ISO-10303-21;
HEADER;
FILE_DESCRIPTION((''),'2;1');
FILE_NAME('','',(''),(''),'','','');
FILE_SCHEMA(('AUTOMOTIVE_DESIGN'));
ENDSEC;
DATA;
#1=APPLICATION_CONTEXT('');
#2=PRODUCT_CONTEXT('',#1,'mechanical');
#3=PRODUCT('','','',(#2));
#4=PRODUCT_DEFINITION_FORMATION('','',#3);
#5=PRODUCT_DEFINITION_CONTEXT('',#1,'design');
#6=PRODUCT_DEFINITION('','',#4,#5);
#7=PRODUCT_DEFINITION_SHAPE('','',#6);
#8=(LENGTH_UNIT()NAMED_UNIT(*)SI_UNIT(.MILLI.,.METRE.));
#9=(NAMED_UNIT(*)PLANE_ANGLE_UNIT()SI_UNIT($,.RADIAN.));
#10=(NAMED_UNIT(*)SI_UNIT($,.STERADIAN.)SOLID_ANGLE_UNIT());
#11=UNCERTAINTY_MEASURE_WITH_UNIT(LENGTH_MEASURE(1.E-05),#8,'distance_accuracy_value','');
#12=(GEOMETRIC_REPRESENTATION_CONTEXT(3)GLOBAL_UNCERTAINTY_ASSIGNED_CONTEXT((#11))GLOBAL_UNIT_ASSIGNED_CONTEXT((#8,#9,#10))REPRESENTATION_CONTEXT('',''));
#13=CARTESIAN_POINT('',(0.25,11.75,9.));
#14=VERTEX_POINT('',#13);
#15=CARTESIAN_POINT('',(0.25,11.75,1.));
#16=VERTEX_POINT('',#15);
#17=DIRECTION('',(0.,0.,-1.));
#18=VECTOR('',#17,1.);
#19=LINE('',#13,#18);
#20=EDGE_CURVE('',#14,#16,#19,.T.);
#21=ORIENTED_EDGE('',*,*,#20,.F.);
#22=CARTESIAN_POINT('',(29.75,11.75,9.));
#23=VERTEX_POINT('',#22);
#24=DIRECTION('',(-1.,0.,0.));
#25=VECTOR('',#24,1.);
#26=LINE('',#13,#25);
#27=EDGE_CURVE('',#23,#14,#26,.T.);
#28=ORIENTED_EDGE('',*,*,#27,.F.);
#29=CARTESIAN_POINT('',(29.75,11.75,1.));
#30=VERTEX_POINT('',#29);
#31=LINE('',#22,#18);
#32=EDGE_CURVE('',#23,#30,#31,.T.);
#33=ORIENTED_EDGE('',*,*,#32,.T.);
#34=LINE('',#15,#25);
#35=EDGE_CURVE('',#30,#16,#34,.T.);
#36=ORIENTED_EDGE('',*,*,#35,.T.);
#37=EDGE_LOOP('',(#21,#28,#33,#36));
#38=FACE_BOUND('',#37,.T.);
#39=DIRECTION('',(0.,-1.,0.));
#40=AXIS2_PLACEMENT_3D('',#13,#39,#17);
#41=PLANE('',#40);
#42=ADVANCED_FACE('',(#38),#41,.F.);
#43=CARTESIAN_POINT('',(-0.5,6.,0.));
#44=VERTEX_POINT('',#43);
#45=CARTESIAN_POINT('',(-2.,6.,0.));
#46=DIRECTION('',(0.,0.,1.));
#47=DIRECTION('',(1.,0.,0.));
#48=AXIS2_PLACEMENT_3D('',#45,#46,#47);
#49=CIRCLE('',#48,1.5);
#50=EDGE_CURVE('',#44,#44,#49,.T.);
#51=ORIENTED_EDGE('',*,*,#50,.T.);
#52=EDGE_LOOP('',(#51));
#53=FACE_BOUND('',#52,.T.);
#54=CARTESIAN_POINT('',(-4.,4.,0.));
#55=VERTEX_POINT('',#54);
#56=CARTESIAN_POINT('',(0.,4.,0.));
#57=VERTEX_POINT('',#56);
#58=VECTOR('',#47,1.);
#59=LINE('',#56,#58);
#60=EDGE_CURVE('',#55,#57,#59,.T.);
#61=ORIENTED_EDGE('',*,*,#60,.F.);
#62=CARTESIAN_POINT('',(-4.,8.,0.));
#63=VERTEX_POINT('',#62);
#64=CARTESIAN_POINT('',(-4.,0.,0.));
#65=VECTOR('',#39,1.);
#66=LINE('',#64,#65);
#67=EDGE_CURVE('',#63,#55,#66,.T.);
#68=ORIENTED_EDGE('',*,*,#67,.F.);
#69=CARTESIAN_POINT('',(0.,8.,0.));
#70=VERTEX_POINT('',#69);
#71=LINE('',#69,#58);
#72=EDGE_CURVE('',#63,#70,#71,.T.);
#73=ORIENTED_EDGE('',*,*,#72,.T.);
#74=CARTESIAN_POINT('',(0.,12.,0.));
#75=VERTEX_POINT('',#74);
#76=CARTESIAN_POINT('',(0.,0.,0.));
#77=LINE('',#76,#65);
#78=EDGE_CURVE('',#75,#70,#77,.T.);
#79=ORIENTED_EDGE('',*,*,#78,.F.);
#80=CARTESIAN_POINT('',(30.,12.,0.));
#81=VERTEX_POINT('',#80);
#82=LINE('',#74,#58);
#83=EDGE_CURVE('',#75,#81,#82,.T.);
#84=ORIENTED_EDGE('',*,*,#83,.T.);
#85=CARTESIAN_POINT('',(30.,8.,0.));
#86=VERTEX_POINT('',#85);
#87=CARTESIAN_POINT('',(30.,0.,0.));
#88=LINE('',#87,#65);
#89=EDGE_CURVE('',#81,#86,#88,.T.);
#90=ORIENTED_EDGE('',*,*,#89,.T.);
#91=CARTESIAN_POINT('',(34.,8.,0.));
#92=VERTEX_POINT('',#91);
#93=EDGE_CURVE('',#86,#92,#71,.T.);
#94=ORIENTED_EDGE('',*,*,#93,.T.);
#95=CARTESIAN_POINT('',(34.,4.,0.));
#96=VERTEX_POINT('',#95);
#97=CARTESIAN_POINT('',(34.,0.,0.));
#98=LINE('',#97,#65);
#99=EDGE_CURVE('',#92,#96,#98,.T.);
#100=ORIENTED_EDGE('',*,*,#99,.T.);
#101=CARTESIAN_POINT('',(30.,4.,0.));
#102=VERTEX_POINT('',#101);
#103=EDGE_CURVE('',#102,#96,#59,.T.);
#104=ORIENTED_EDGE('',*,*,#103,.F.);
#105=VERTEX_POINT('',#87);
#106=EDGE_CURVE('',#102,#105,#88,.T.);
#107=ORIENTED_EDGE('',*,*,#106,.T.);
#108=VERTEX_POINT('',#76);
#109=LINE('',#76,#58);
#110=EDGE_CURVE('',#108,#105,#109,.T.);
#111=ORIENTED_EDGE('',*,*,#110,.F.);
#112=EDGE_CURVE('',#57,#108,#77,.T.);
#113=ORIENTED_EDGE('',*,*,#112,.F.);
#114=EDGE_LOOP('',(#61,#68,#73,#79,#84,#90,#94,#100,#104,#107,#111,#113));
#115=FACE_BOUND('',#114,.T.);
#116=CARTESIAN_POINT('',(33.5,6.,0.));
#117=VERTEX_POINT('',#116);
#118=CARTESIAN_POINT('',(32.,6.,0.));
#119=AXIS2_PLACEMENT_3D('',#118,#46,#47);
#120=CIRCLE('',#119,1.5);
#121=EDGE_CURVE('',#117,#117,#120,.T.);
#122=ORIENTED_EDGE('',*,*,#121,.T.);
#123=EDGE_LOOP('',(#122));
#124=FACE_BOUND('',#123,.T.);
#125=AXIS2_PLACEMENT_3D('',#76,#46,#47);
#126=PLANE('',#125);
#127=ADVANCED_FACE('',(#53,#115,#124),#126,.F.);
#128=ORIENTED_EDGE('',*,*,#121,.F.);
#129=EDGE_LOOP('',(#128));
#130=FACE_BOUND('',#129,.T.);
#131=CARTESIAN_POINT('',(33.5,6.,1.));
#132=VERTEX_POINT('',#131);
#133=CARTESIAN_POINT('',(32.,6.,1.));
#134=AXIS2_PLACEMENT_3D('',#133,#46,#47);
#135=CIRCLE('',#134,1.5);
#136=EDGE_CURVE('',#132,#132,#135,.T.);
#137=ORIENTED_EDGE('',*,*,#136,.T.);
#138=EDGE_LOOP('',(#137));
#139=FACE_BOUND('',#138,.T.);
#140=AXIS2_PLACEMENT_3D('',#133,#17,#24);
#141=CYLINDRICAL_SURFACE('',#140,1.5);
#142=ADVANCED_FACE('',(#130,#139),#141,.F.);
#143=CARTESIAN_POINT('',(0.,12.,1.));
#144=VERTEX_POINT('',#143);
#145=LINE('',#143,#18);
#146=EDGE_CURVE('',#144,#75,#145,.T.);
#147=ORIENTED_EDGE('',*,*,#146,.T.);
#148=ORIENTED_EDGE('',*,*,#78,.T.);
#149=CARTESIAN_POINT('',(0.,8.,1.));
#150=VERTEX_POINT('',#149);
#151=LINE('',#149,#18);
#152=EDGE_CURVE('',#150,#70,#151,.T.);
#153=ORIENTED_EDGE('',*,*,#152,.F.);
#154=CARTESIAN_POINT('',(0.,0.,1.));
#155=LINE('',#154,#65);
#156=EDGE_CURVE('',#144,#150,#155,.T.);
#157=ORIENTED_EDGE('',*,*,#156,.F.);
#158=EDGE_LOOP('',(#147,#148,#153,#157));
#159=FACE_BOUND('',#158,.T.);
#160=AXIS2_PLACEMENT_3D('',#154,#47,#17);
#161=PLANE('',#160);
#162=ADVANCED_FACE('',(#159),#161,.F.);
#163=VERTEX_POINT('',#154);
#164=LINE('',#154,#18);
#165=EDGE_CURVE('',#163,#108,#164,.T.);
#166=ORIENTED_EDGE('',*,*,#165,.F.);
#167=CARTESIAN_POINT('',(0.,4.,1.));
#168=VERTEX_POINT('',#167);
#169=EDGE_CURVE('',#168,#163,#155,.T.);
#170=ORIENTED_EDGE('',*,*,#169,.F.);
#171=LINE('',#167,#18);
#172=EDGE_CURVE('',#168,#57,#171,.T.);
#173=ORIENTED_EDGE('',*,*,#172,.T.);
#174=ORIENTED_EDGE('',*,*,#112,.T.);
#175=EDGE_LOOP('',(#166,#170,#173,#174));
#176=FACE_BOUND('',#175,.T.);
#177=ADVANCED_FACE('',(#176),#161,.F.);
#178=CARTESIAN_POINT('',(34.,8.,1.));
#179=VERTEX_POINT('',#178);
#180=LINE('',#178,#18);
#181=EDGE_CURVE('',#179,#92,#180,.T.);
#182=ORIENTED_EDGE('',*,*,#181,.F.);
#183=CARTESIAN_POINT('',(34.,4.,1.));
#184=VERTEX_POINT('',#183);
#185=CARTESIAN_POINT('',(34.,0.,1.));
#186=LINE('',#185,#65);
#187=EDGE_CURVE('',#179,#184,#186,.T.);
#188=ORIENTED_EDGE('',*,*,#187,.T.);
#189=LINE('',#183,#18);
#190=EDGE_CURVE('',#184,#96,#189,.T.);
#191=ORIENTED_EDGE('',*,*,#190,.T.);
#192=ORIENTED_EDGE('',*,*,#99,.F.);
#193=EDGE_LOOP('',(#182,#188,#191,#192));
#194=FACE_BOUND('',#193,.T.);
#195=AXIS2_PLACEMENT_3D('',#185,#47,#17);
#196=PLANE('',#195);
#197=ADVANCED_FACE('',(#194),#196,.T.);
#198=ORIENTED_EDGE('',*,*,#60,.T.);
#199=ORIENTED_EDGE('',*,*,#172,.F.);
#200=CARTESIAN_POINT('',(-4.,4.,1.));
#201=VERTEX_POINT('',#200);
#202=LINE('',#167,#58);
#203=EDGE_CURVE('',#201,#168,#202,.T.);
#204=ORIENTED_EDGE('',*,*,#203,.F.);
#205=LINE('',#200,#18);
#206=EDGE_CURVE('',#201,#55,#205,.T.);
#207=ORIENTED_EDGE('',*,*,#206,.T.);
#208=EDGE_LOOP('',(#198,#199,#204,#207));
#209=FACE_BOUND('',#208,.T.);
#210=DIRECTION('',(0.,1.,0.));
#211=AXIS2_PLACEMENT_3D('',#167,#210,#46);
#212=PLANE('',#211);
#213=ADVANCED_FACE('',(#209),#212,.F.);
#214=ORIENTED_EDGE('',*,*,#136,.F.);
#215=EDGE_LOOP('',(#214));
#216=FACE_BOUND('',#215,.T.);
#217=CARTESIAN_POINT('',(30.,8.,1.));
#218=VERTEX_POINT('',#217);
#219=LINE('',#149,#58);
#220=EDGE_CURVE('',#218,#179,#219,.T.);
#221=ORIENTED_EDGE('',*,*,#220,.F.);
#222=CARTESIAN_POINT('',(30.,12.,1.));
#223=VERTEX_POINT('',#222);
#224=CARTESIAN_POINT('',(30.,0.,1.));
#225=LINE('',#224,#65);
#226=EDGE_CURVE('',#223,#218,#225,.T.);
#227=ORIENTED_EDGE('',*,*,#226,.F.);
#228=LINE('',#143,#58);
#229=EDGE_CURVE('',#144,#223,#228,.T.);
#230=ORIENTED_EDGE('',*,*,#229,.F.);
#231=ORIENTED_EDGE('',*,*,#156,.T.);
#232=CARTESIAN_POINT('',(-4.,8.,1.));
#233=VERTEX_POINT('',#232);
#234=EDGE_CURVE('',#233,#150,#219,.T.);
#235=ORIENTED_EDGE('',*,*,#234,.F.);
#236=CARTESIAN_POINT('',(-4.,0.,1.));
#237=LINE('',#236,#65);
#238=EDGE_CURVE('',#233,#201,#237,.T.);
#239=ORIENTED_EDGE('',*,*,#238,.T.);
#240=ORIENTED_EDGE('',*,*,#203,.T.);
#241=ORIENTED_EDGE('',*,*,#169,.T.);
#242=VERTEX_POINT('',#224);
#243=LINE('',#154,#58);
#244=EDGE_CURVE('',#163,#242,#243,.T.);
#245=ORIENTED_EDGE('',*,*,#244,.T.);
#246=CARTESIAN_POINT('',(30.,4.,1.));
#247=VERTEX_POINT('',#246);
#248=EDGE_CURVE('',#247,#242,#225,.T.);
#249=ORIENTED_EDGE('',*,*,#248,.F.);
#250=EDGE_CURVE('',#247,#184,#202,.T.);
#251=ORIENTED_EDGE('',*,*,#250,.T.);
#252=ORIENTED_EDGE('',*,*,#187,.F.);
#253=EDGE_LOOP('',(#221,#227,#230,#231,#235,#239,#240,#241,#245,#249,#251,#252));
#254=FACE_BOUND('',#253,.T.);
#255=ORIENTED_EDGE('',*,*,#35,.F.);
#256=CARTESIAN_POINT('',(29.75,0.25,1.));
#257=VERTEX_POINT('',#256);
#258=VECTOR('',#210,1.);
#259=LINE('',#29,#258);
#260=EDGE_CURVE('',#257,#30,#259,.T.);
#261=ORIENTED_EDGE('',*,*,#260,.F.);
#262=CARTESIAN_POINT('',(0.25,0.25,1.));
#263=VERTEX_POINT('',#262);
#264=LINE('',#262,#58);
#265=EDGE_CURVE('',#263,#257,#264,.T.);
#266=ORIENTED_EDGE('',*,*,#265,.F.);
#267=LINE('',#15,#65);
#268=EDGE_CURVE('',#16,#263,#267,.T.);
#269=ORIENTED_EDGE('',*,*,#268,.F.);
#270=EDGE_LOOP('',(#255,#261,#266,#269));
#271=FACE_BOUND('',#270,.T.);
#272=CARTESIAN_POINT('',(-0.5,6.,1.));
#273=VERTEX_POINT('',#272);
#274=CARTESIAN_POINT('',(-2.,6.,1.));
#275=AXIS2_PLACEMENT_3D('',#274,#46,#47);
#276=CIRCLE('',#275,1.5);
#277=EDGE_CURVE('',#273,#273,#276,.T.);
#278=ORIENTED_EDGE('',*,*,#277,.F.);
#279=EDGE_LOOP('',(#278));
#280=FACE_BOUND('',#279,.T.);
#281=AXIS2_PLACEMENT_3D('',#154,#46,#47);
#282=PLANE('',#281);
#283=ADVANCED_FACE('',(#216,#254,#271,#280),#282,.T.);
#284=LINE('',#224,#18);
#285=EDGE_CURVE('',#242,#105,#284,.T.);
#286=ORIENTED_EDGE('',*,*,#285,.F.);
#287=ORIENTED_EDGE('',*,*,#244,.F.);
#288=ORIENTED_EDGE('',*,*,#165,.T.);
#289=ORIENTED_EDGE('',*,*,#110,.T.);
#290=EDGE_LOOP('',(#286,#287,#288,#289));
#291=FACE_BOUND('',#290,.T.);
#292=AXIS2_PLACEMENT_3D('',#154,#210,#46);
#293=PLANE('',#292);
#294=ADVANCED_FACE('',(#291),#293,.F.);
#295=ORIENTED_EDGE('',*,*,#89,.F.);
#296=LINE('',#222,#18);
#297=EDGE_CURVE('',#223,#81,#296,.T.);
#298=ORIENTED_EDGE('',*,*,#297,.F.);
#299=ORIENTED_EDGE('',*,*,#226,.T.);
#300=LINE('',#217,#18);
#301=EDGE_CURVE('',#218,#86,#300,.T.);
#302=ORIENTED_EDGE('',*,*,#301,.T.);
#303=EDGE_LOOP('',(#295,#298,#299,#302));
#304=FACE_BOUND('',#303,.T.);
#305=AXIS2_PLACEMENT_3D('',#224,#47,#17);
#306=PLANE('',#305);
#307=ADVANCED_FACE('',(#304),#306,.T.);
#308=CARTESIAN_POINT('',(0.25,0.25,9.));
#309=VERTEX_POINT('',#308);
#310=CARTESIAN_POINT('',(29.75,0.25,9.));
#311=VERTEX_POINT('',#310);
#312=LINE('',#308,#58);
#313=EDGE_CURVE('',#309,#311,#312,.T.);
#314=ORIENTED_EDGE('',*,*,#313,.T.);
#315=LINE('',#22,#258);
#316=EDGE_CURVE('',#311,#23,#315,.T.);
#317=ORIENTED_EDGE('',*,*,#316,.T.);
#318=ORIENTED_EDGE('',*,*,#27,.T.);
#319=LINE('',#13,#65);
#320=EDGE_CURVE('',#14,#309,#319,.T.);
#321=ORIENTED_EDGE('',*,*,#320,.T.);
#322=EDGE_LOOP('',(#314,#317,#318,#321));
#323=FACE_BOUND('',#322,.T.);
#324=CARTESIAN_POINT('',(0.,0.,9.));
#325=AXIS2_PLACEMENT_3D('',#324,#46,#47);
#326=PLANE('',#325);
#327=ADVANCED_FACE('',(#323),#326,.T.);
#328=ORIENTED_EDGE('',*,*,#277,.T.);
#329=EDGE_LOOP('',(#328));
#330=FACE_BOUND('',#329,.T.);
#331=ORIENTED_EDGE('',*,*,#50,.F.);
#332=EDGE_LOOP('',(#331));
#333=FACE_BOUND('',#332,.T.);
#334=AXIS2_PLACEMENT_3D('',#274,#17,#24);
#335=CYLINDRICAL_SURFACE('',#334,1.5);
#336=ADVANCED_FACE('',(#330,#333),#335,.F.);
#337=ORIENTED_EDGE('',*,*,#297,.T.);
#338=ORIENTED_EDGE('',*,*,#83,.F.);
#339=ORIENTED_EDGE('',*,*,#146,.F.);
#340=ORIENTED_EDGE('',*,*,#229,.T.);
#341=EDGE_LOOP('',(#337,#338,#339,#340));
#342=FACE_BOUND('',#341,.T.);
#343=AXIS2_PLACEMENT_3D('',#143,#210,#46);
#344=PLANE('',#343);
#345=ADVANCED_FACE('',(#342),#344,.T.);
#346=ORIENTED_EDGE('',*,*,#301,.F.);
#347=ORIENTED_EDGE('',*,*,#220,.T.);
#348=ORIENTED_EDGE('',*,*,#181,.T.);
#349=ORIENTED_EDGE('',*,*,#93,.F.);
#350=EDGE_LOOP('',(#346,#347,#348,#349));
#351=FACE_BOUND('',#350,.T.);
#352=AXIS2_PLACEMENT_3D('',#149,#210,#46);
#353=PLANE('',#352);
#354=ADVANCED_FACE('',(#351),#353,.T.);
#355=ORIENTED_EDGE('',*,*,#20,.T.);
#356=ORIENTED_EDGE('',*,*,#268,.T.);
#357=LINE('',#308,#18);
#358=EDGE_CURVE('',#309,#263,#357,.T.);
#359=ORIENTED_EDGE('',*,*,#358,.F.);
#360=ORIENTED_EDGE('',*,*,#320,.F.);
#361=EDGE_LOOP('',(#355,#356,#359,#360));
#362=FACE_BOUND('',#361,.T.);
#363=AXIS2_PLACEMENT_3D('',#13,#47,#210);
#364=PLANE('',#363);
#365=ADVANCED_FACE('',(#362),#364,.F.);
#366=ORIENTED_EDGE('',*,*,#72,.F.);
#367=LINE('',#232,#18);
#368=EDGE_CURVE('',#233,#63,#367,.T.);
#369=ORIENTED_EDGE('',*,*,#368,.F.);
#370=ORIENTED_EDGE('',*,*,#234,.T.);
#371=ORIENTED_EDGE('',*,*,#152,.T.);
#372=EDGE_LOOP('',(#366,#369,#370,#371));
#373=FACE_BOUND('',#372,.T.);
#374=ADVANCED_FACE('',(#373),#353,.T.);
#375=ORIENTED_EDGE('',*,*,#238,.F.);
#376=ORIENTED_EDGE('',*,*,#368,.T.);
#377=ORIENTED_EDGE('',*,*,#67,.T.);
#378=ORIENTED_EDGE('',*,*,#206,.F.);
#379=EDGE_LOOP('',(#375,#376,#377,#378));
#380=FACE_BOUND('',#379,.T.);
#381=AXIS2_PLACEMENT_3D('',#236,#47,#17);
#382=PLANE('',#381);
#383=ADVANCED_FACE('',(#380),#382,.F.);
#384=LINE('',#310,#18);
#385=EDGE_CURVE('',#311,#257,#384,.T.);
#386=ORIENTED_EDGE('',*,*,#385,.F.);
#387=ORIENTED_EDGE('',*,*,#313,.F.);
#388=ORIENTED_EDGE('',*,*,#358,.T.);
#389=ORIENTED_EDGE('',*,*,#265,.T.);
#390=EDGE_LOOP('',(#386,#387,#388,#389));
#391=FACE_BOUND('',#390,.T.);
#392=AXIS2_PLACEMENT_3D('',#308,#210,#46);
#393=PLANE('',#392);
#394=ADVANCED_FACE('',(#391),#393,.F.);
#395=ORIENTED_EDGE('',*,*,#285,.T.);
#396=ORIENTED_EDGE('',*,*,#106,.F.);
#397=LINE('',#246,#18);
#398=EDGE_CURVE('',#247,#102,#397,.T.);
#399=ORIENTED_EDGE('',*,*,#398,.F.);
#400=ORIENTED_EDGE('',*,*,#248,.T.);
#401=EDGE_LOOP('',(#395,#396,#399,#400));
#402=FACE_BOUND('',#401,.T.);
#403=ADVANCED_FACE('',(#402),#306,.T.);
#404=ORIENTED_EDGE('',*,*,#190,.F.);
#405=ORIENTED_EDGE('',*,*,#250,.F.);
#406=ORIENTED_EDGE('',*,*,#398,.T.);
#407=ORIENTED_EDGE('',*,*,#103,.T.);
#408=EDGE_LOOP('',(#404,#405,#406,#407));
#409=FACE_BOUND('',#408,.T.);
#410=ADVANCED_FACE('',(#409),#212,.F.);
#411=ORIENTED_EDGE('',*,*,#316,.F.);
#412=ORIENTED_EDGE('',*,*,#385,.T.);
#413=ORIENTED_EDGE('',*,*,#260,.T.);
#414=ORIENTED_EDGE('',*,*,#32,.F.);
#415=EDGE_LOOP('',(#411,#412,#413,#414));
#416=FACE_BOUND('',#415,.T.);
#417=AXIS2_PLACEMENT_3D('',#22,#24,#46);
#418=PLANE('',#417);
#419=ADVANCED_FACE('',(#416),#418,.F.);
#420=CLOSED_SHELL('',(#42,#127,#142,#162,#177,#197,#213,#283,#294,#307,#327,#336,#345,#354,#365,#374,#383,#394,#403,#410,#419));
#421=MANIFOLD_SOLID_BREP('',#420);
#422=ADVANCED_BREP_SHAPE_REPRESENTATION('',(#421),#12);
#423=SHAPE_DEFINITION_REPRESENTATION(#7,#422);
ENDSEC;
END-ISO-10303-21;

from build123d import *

# Parameters (mm, degrees)
SCHIZZO1_W                   = 4
SCHIZZO1_H                   = 4
SCHIZZO1_R                   = 1.5
SCHIZZO1_W_2                 = 30
SCHIZZO1_H_2                 = 12
ESTRUSIONE_ESTRUSIONE1_DEPTH = 1
SCHIZZO2_W                   = 29.5
SCHIZZO2_H                   = 11.5
ESTRUSIONE_ESTRUSIONE2_DEPTH = 8


with BuildPart() as part:
    # Schizzo1 → Estrusione-Estrusione1 (new body)
    # profile 1 of 3: a face of its own
    with BuildSketch(Plane.XY):
        with Locations((-2, 6)):
            Rectangle(SCHIZZO1_W, SCHIZZO1_H)
        with Locations((-2, 6)):
            Circle(SCHIZZO1_R, mode=Mode.SUBTRACT)
    # profile 2 of 3: a face of its own
    with BuildSketch(Plane.XY):
        with Locations((15, 6)):
            Rectangle(SCHIZZO1_W_2, SCHIZZO1_H_2)
    # profile 3 of 3: a face of its own
    with BuildSketch(Plane.XY):
        with Locations((32, 6)):
            Rectangle(SCHIZZO1_W, SCHIZZO1_H)
        with Locations((32, 6)):
            Circle(SCHIZZO1_R, mode=Mode.SUBTRACT)
    extrude(amount=ESTRUSIONE_ESTRUSIONE1_DEPTH)

    # Schizzo2 → Estrusione-Estrusione2 (add)
    with BuildSketch(Plane.XY.offset(1)):
        with Locations((15, 6)):
            Rectangle(SCHIZZO2_W, SCHIZZO2_H)
    extrude(amount=ESTRUSIONE_ESTRUSIONE2_DEPTH)


solid = part.part
